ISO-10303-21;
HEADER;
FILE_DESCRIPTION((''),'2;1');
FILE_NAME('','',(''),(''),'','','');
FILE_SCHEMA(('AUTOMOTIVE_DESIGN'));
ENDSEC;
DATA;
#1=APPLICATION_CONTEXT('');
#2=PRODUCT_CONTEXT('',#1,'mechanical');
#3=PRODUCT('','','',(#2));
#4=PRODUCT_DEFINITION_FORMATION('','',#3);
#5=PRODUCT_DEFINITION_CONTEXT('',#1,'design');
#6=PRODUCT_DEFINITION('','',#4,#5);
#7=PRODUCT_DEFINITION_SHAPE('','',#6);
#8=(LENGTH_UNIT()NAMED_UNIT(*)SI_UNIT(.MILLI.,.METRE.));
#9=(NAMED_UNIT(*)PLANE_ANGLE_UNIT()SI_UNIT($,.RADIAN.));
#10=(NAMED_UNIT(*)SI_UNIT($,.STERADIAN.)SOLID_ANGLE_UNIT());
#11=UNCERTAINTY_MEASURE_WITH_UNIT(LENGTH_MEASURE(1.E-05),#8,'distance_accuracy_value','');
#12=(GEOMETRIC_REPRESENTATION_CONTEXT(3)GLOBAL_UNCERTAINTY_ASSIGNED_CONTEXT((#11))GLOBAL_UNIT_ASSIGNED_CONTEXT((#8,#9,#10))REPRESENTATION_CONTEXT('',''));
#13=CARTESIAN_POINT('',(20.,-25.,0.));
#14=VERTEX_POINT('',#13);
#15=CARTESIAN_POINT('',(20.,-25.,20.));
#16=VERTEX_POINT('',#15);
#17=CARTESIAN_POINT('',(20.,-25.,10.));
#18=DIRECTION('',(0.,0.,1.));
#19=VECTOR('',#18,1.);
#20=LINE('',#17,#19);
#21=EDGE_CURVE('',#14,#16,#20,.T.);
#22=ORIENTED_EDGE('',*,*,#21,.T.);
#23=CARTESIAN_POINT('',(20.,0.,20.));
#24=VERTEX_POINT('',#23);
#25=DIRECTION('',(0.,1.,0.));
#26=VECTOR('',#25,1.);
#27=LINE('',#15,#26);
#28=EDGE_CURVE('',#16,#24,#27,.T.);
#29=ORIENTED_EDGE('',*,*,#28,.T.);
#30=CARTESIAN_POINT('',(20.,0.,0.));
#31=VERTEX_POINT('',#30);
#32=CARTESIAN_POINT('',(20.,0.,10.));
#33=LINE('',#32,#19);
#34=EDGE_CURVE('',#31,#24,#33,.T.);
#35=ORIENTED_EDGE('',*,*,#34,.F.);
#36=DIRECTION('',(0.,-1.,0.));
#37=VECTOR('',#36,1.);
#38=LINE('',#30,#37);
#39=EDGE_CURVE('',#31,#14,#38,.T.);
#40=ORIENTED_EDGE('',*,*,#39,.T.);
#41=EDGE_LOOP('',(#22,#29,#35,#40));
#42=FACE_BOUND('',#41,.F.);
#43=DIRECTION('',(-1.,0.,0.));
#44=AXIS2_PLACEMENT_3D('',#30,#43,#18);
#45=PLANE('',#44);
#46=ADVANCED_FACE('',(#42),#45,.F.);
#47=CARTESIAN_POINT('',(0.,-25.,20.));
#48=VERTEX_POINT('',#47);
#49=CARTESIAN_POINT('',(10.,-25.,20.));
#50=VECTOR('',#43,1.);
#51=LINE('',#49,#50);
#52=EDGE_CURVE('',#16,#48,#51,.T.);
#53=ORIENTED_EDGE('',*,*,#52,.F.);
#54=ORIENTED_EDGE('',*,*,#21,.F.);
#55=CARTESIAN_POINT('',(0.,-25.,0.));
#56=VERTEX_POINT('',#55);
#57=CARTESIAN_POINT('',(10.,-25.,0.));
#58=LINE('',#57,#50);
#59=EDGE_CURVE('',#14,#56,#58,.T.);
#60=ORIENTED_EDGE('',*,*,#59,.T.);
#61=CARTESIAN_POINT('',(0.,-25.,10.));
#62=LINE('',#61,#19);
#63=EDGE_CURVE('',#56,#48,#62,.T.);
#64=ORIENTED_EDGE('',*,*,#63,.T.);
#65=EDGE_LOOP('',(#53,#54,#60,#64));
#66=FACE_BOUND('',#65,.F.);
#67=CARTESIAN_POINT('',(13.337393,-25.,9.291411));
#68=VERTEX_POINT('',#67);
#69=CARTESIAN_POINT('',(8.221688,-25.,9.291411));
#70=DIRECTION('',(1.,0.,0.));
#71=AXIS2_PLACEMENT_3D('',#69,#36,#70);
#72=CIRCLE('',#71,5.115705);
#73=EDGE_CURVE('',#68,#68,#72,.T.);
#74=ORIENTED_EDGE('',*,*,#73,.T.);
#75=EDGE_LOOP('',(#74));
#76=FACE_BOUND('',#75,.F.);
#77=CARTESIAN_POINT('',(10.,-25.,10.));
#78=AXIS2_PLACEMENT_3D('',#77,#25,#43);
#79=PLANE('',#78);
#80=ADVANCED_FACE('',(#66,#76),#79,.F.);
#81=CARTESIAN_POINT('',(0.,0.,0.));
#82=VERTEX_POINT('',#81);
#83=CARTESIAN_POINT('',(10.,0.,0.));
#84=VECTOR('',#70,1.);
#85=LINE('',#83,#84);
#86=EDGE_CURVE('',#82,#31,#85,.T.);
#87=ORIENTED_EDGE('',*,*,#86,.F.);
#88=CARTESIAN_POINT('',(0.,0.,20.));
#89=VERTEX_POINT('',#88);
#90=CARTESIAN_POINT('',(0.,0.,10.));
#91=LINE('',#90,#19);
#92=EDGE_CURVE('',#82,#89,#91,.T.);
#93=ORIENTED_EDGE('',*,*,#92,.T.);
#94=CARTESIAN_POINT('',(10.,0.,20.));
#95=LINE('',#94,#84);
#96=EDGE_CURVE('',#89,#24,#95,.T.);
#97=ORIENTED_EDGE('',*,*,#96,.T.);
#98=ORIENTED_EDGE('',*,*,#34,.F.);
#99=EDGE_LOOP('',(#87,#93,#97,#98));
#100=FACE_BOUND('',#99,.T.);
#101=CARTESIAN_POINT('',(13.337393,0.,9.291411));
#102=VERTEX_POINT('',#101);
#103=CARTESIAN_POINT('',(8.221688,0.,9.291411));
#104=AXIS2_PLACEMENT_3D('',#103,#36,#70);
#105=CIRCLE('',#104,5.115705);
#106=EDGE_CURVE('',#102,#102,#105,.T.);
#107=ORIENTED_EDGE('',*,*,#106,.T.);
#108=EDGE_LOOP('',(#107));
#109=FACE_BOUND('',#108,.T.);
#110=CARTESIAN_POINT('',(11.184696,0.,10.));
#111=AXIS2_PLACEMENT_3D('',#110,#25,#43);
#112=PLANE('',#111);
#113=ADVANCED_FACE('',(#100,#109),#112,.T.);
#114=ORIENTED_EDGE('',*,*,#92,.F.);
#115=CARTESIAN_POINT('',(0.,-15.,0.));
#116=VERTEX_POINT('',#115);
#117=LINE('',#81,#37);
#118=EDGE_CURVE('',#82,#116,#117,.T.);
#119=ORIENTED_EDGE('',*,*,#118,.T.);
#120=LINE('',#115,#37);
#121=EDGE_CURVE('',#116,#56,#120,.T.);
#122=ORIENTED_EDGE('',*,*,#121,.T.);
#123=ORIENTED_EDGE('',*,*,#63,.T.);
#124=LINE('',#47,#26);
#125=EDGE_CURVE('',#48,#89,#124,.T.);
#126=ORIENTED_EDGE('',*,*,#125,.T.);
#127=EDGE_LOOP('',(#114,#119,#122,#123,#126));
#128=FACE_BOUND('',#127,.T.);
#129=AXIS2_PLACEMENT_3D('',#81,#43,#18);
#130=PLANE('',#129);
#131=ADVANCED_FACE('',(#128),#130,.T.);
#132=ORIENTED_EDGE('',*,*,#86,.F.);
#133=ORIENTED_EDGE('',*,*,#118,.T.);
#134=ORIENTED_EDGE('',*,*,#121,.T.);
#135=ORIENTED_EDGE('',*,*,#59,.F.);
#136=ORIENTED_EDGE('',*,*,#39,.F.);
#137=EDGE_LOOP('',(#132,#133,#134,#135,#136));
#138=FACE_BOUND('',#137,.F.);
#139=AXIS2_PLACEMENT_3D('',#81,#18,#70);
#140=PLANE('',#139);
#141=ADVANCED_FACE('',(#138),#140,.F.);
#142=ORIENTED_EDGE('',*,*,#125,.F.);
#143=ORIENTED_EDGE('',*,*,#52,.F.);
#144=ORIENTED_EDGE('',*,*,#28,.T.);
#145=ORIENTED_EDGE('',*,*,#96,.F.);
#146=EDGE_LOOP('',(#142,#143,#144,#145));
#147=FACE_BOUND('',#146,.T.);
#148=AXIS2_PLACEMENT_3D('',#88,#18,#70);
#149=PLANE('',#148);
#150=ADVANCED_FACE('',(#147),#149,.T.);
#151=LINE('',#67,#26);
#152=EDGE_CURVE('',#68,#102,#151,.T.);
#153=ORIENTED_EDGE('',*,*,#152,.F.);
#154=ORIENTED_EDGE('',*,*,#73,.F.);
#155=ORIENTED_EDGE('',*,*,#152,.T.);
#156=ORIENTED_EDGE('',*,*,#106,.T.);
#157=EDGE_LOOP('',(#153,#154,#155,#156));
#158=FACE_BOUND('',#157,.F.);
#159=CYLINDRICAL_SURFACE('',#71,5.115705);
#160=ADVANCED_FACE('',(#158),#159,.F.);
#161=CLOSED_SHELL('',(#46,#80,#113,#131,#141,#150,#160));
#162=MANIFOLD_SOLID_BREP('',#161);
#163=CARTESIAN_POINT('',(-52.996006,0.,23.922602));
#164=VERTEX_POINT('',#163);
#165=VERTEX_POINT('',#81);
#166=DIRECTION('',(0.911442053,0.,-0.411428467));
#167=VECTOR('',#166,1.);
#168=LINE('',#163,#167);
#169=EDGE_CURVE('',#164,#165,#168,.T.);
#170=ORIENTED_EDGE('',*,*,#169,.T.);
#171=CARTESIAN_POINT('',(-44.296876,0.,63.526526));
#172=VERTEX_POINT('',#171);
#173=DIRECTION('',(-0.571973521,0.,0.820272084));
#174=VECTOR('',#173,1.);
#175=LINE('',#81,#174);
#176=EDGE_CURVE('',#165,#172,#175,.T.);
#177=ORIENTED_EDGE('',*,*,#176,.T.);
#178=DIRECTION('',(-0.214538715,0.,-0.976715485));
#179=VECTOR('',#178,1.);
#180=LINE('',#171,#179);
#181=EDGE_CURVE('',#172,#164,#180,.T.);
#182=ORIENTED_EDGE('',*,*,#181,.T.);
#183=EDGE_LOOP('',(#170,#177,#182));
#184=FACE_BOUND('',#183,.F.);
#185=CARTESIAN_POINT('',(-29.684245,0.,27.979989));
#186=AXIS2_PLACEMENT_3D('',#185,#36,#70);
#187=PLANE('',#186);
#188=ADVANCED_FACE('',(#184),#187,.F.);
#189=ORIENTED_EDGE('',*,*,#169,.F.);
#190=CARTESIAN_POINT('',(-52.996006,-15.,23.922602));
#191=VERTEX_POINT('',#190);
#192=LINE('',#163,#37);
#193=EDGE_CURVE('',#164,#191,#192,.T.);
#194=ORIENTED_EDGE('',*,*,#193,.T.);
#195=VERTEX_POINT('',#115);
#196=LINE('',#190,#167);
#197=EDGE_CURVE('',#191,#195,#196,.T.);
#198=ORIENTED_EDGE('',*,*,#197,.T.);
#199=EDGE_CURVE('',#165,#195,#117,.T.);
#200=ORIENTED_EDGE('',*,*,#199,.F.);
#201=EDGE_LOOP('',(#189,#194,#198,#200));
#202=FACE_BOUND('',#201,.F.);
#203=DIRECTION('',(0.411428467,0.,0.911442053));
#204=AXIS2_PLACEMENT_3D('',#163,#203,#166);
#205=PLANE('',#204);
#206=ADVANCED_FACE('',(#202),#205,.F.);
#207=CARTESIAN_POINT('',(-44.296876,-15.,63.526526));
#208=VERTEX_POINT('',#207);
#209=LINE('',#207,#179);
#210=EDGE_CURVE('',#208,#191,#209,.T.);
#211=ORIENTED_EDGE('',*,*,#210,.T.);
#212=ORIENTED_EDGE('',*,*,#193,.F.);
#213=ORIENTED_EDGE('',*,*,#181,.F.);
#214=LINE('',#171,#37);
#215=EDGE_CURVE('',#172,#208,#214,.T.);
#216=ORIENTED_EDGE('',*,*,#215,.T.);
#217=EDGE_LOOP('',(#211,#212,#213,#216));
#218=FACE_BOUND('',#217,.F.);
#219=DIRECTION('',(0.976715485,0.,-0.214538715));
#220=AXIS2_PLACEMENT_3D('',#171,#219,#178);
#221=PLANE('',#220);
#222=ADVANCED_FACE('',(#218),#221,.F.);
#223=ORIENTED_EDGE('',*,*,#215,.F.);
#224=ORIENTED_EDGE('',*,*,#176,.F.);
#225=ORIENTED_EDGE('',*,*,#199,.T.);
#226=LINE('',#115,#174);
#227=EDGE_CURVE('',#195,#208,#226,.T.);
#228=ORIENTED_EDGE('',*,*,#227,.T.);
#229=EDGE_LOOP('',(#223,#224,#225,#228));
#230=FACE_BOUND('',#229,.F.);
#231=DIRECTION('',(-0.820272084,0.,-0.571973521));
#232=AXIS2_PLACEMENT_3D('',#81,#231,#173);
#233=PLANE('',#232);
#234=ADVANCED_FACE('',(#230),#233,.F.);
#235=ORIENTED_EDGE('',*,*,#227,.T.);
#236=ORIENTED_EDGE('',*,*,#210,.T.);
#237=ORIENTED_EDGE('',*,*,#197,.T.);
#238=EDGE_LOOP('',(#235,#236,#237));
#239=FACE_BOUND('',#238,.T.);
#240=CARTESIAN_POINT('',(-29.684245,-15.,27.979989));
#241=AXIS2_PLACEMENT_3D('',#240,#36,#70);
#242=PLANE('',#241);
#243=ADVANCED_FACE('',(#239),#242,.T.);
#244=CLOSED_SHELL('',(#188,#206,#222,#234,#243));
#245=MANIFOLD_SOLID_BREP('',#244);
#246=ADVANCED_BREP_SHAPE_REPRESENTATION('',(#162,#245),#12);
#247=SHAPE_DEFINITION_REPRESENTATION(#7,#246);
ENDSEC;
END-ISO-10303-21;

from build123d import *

# Parameters (mm, degrees)
F1_DEPTH = 15
F2_W     = 20
F2_H     = 20
F3_DEPTH = 20
F5_R     = 7.569686
F4_W     = 20
F4_H     = 20
F6_DEPTH = 25
F7_R     = 5.115705
F8_DEPTH = 25


with BuildPart() as f1:
    # F0 (on Front) → F1 (new body)
    with BuildSketch(Plane.XZ):
        Polygon((-52.996006, 23.922602), (0, 0), (-44.296876, 63.526526), align=None)
    extrude(amount=F1_DEPTH)



with BuildPart() as f3:
    # F2 (on Front) → F3 (new body)
    with BuildSketch(Plane.XZ):
        with Locations((10, 10)):
            Rectangle(F2_W, F2_H)
    extrude(amount=F3_DEPTH)


with BuildPart() as f1_1:
    add(f1.part)

    add(f3.part)  # F6 merges F3
    # F5 (on face) + F4 (on face) → F6 (join)
    with BuildSketch(Plane(origin=(0, 0, 0), x_dir=(-1, 0, 0), z_dir=(0, 1, 0))):
        with Locations((-11.184696, 10)):
            Circle(F5_R)
    with BuildSketch(Plane(origin=(0, 0, 0), x_dir=(-1, 0, 0), z_dir=(0, 1, 0))):
        with Locations((-10, 10)):
            Rectangle(F4_W, F4_H)
    extrude(amount=-F6_DEPTH)

    # F7 (on face) → F8 (cut)
    with BuildSketch(Plane.XZ.offset(25)):
        with Locations((8.221688, 9.291411)):
            Circle(F7_R)
    extrude(amount=-F8_DEPTH, mode=Mode.SUBTRACT)


solid = f1_1.part
